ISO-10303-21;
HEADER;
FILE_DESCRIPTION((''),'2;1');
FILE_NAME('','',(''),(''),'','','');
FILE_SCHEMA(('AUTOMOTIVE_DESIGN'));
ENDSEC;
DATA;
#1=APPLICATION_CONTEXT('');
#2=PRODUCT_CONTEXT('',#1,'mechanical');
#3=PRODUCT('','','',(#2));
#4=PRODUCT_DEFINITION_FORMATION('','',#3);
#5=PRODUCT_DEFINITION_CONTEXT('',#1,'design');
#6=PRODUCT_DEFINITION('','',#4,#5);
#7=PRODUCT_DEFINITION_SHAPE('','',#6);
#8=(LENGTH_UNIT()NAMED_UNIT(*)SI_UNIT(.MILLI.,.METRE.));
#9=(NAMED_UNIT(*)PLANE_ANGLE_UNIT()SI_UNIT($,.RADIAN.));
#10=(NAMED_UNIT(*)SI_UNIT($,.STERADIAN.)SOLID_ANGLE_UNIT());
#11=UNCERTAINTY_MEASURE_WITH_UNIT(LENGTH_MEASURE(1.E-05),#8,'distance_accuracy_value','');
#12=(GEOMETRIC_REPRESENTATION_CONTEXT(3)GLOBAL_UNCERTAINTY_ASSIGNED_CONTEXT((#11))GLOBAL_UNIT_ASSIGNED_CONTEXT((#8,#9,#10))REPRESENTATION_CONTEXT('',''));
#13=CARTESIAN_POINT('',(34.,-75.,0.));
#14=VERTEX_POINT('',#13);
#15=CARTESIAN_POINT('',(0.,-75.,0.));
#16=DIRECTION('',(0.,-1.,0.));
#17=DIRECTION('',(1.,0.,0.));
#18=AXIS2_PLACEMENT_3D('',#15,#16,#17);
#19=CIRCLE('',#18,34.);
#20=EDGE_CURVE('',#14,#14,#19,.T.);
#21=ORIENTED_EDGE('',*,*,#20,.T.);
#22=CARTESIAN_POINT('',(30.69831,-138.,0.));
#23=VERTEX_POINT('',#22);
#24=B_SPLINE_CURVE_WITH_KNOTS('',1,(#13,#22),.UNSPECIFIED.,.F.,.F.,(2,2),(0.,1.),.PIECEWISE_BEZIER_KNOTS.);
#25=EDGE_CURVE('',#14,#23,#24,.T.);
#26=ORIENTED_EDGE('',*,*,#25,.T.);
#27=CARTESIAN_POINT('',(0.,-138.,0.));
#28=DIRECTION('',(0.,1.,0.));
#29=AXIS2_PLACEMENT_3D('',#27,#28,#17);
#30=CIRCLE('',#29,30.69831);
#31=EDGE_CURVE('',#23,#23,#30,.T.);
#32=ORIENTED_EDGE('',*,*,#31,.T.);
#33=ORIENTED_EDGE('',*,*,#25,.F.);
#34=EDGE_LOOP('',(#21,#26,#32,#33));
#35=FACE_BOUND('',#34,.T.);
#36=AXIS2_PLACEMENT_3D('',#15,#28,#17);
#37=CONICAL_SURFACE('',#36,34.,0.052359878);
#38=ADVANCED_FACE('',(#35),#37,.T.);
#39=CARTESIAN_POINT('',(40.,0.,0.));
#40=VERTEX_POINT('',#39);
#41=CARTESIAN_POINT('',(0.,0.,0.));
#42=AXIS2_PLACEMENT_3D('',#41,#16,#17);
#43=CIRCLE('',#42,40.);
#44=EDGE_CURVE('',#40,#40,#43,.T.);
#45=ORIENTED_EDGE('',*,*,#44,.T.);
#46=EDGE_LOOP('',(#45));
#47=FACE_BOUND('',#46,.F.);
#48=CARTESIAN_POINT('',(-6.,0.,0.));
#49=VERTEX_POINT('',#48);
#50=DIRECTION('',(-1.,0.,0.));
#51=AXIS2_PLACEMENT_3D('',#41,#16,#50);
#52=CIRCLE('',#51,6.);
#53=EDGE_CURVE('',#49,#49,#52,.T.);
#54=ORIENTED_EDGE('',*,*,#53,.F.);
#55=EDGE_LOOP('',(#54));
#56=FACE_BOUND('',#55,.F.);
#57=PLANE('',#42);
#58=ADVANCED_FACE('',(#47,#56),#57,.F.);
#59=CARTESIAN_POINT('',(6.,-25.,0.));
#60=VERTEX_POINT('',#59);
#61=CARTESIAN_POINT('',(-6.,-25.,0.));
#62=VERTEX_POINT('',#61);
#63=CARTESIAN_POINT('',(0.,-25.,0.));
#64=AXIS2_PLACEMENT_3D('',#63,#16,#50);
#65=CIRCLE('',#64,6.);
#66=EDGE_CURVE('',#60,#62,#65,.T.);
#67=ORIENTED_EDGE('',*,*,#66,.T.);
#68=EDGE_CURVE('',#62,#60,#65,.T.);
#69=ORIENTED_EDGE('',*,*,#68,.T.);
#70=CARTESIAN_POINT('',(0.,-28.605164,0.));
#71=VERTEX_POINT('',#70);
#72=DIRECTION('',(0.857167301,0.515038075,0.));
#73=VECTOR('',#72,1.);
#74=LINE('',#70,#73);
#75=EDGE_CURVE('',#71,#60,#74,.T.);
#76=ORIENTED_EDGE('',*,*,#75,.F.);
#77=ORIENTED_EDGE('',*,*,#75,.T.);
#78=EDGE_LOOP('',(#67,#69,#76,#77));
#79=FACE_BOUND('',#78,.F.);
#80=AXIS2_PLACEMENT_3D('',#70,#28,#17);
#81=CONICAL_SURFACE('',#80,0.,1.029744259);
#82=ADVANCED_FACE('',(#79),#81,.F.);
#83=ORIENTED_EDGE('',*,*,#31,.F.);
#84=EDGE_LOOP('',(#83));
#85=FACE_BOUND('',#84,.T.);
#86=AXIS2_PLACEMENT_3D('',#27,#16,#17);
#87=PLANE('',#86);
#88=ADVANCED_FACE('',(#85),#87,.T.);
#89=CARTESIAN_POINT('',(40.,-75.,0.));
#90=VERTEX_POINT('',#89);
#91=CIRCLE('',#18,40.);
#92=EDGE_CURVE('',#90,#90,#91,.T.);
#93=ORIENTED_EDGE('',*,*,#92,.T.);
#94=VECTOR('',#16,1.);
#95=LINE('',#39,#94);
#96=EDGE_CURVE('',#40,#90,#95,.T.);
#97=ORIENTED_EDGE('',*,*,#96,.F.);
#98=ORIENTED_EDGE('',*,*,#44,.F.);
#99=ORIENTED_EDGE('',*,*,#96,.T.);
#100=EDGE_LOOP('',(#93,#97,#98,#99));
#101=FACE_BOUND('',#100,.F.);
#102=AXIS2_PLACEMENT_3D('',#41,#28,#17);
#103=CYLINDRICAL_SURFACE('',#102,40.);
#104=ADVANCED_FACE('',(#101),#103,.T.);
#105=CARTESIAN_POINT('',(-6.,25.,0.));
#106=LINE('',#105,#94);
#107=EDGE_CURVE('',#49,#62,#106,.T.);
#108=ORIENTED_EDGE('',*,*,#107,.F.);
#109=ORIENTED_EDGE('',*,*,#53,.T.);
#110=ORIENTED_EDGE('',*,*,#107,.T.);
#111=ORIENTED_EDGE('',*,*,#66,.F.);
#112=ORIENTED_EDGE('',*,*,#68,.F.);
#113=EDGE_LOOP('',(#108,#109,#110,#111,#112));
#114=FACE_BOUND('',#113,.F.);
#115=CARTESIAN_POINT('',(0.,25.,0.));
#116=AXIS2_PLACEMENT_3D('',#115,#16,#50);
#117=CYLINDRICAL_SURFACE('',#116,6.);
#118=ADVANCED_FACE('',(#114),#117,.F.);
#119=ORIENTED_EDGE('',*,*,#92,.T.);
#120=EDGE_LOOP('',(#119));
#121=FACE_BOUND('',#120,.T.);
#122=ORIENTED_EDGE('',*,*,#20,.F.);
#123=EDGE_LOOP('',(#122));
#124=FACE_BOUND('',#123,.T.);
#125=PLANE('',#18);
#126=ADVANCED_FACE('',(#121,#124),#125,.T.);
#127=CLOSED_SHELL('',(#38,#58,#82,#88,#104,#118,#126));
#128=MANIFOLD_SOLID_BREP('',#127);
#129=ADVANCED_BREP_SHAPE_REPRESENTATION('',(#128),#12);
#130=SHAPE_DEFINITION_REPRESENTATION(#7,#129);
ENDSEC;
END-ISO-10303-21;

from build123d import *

# Parameters (mm, degrees)
F0_R     = 40
F1_DEPTH = 75
F2_R     = 34
F3_DEPTH = 63
F3_TAPER = 3
F4_D     = 12
F4_DEPTH = 25
F4_TIP   = 3.6051637142


with BuildPart() as f1:
    # F0 (on Front) → F1 (new body)
    with BuildSketch(Plane.XZ):
        Circle(F0_R)
    extrude(amount=F1_DEPTH)

    # F2 (on face) → F3 (join)
    with BuildSketch(Plane.XZ.offset(75)):
        Circle(F2_R)
    extrude(amount=F3_DEPTH, taper=F3_TAPER)

    # F4
    with Locations(Plane(origin=(0, 0, 0), x_dir=(1, 0, 0), z_dir=(0, 1, 0))):
        with Locations((0, 0)):
            Hole(F4_D / 2, depth=F4_DEPTH)
            with Locations((0, 0, -(F4_DEPTH + F4_TIP / 2))):  # 118° drill point
                Cone(0, F4_D / 2, F4_TIP, mode=Mode.SUBTRACT)


solid = f1.part
